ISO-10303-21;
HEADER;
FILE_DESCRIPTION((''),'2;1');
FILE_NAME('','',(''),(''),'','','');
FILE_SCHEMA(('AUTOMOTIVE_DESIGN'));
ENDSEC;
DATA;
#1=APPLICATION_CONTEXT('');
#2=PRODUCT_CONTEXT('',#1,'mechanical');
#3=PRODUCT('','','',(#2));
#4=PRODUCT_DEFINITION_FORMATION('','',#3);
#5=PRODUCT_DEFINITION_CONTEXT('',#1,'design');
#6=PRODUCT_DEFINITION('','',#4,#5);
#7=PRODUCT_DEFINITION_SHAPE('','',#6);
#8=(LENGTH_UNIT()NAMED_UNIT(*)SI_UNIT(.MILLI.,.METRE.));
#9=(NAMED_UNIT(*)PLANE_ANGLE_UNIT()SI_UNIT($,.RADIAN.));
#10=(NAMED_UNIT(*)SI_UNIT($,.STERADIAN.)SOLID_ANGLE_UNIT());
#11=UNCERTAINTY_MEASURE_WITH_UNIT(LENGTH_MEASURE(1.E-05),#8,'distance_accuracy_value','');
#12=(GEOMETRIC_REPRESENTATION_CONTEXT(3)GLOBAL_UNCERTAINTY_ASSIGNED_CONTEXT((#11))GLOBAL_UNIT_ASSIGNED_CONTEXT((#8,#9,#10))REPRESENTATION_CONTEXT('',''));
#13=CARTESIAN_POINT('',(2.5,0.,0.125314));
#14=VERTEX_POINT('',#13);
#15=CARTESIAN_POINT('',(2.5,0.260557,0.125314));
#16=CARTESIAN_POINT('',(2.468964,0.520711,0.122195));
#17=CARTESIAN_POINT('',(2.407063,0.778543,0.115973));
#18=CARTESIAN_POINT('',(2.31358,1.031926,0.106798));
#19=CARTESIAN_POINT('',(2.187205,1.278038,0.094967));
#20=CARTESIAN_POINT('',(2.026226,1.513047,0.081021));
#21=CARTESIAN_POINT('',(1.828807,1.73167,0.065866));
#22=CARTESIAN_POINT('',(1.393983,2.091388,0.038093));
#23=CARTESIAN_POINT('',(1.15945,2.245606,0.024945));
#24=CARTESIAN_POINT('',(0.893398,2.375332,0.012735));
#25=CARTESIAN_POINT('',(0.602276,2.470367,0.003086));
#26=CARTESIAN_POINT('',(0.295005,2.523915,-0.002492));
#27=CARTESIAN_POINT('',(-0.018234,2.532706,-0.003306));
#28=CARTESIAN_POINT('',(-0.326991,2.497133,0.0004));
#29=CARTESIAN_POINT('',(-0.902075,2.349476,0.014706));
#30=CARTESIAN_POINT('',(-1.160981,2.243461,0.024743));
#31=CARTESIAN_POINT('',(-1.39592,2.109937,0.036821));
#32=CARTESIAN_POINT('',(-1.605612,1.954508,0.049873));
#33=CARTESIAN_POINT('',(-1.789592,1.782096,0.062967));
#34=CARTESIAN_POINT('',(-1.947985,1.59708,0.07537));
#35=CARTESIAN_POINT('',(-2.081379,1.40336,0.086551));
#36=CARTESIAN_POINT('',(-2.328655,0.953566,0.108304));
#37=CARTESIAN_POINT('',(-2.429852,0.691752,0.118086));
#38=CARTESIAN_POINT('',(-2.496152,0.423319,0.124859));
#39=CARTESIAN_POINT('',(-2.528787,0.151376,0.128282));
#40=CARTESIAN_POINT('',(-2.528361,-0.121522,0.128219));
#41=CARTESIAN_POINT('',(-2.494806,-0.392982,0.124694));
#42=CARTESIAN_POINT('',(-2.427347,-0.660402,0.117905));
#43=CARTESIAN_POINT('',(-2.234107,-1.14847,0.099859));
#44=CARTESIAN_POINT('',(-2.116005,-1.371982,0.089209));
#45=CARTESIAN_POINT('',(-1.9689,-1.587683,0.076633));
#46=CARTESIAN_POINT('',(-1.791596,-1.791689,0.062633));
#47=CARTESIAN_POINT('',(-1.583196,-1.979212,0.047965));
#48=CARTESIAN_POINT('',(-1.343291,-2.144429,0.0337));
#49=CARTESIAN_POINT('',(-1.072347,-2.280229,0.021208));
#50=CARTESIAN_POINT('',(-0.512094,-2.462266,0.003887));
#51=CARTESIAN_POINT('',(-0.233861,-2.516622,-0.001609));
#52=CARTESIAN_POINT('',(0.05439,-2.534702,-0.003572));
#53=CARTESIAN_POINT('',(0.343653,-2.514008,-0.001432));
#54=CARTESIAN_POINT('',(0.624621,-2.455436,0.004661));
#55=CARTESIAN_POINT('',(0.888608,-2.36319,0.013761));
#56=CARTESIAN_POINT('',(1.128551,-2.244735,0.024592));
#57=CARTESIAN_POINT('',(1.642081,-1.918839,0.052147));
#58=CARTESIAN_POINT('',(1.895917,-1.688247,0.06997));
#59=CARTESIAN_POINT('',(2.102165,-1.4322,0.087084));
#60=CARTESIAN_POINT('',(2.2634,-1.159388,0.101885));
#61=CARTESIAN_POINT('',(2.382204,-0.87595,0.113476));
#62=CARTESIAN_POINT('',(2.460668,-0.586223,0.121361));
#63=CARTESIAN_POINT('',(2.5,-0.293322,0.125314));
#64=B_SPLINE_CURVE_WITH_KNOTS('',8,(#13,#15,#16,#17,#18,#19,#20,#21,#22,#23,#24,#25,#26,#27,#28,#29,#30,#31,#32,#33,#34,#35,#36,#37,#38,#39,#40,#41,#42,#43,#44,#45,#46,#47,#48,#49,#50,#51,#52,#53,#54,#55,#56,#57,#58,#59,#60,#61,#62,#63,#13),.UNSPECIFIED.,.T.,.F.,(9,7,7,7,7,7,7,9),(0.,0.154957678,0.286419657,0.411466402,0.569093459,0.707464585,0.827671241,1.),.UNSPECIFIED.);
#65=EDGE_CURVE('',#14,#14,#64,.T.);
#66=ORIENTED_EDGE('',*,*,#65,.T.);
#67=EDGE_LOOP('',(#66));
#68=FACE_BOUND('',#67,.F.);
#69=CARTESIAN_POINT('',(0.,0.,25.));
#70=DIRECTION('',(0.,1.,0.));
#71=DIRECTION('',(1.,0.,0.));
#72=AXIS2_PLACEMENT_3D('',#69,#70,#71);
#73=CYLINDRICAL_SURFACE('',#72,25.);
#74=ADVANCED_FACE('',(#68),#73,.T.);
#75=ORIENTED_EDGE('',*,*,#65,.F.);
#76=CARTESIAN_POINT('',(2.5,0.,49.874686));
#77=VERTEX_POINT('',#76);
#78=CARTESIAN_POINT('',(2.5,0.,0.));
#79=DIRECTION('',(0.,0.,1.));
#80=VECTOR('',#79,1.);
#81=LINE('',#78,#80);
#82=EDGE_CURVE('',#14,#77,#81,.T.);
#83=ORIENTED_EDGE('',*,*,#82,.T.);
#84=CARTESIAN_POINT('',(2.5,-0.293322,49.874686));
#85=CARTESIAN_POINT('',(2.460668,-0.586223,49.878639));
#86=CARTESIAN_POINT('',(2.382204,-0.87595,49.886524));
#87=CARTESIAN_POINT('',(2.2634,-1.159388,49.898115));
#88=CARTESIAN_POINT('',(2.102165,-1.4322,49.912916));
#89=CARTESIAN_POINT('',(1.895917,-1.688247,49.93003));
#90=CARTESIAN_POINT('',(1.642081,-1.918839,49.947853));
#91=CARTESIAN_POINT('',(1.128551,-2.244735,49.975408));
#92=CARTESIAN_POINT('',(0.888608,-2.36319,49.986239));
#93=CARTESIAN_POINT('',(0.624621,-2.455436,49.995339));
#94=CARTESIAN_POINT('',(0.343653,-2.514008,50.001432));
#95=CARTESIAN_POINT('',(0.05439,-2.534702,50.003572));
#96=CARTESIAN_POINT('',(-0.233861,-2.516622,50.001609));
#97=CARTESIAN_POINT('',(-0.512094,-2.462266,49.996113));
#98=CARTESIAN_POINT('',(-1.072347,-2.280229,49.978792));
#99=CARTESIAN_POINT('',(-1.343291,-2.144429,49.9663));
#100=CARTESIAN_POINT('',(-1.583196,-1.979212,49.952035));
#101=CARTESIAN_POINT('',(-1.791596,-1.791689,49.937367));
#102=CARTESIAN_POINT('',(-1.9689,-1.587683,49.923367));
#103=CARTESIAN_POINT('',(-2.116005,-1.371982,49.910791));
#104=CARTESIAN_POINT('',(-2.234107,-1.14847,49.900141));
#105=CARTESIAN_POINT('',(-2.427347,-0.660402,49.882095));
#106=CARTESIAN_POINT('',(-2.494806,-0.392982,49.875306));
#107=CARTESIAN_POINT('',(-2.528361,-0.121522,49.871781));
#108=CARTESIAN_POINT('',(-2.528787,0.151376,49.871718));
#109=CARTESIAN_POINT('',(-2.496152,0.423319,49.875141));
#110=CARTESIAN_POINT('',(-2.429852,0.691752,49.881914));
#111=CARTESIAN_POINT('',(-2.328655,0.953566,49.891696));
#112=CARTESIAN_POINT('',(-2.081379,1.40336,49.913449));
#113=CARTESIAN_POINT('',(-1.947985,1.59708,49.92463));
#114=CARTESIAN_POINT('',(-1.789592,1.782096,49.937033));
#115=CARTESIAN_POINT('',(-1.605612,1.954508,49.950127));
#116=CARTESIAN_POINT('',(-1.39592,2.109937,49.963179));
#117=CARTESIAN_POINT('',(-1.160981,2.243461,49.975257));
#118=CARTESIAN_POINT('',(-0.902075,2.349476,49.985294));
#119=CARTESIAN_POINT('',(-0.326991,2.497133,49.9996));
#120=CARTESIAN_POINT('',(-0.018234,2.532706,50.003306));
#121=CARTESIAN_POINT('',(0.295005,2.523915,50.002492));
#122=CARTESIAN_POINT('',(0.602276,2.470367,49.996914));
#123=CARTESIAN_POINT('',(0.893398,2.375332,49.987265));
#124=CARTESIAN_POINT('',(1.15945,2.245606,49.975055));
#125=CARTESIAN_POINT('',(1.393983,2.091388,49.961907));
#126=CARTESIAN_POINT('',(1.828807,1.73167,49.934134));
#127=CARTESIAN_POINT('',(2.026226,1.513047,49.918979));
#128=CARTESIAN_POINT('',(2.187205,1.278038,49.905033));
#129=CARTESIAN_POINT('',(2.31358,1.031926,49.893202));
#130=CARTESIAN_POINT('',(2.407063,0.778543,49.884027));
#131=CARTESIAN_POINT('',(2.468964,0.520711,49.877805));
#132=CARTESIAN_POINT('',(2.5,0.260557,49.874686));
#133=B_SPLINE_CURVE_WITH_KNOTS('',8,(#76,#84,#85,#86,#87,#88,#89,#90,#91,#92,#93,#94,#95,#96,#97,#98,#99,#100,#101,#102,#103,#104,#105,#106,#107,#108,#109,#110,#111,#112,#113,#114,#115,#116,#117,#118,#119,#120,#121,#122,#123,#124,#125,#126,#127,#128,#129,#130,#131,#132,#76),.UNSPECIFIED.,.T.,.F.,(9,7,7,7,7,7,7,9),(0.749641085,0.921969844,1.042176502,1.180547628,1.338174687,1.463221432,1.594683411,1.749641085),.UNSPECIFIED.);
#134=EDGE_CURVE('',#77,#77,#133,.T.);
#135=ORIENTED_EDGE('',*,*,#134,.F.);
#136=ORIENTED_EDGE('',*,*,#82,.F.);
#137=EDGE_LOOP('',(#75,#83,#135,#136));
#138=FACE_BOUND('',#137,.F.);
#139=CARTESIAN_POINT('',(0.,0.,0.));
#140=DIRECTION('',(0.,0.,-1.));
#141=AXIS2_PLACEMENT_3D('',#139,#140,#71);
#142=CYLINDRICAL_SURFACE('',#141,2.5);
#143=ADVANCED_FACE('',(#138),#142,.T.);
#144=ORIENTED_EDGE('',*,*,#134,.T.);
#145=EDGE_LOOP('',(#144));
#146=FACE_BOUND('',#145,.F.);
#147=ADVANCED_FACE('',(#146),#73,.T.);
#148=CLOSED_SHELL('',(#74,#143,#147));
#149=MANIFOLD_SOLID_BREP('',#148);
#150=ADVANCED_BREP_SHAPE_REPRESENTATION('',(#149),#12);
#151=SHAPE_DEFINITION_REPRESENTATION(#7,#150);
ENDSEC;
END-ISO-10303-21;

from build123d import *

# Parameters (mm, degrees)
F0_R     = 2.5
F1_DEPTH = 50
F2_R     = 26.727435
F2_R_2   = 25
F3_DEPTH = 12.5


with BuildPart() as f1:
    # F0 (on Top) → F1 (new body)
    with BuildSketch(Plane.XY):
        Circle(F0_R)
    extrude(amount=F1_DEPTH)

    # F2 (on Front) → F3 (cut, symmetric)
    with BuildSketch(Plane.XZ):
        with Locations((0, 25)):
            Circle(F2_R)
        with Locations((0, 25)):
            Circle(F2_R_2, mode=Mode.SUBTRACT)
    extrude(amount=F3_DEPTH, both=True, mode=Mode.SUBTRACT)


solid = f1.part
